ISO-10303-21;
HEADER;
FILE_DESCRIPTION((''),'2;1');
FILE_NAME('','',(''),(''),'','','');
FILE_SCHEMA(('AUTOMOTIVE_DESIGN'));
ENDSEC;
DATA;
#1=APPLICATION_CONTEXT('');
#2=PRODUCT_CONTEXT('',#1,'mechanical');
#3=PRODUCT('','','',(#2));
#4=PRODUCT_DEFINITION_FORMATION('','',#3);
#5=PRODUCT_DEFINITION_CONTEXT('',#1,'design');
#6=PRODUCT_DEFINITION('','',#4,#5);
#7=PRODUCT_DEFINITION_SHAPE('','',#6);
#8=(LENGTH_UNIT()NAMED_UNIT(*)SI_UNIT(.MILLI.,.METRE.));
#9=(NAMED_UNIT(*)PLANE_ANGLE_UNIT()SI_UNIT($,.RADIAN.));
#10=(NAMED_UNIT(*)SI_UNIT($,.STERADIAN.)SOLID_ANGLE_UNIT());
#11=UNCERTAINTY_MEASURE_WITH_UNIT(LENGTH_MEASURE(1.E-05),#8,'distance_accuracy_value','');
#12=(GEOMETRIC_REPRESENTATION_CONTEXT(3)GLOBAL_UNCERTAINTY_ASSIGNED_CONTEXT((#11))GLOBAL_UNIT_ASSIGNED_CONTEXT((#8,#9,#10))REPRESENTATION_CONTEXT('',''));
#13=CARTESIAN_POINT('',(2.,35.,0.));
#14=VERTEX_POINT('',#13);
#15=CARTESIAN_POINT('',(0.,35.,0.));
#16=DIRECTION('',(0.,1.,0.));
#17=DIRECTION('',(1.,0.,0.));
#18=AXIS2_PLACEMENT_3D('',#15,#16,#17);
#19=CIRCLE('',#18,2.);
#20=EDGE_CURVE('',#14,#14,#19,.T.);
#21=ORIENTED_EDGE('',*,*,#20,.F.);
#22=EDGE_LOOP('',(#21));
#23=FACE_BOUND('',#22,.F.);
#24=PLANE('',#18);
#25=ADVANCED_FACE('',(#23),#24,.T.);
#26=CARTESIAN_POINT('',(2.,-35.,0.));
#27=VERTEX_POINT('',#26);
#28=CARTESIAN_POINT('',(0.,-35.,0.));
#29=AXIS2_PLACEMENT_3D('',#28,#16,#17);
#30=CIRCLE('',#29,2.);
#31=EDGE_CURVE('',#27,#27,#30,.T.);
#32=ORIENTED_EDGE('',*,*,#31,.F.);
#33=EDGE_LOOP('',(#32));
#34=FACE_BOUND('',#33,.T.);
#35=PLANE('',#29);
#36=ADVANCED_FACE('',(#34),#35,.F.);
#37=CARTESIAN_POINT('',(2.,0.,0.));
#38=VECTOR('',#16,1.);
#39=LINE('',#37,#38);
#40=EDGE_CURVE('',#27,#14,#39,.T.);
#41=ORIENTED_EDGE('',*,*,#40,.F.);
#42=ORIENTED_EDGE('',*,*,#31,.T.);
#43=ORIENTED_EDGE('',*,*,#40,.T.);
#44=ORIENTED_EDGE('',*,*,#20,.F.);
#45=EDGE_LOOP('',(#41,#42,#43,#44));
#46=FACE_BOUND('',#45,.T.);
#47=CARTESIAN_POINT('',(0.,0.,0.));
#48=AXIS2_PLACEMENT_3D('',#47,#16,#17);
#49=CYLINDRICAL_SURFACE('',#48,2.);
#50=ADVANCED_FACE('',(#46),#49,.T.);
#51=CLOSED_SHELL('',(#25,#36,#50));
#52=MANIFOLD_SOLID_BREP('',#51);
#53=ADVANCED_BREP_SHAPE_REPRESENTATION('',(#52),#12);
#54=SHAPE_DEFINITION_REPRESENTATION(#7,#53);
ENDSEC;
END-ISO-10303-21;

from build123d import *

# Parameters (mm, degrees)
SKETCH1_W = 2
SKETCH1_H = 70


with BuildPart() as part:
    # Sketch1 → Revolve1 (revolve)
    with BuildSketch(Plane.XY):
        with Locations((1, 0)):
            Rectangle(SKETCH1_W, SKETCH1_H)
    revolve(axis=Axis((0, 0, 0), (0, 1, 0)))


solid = part.part
